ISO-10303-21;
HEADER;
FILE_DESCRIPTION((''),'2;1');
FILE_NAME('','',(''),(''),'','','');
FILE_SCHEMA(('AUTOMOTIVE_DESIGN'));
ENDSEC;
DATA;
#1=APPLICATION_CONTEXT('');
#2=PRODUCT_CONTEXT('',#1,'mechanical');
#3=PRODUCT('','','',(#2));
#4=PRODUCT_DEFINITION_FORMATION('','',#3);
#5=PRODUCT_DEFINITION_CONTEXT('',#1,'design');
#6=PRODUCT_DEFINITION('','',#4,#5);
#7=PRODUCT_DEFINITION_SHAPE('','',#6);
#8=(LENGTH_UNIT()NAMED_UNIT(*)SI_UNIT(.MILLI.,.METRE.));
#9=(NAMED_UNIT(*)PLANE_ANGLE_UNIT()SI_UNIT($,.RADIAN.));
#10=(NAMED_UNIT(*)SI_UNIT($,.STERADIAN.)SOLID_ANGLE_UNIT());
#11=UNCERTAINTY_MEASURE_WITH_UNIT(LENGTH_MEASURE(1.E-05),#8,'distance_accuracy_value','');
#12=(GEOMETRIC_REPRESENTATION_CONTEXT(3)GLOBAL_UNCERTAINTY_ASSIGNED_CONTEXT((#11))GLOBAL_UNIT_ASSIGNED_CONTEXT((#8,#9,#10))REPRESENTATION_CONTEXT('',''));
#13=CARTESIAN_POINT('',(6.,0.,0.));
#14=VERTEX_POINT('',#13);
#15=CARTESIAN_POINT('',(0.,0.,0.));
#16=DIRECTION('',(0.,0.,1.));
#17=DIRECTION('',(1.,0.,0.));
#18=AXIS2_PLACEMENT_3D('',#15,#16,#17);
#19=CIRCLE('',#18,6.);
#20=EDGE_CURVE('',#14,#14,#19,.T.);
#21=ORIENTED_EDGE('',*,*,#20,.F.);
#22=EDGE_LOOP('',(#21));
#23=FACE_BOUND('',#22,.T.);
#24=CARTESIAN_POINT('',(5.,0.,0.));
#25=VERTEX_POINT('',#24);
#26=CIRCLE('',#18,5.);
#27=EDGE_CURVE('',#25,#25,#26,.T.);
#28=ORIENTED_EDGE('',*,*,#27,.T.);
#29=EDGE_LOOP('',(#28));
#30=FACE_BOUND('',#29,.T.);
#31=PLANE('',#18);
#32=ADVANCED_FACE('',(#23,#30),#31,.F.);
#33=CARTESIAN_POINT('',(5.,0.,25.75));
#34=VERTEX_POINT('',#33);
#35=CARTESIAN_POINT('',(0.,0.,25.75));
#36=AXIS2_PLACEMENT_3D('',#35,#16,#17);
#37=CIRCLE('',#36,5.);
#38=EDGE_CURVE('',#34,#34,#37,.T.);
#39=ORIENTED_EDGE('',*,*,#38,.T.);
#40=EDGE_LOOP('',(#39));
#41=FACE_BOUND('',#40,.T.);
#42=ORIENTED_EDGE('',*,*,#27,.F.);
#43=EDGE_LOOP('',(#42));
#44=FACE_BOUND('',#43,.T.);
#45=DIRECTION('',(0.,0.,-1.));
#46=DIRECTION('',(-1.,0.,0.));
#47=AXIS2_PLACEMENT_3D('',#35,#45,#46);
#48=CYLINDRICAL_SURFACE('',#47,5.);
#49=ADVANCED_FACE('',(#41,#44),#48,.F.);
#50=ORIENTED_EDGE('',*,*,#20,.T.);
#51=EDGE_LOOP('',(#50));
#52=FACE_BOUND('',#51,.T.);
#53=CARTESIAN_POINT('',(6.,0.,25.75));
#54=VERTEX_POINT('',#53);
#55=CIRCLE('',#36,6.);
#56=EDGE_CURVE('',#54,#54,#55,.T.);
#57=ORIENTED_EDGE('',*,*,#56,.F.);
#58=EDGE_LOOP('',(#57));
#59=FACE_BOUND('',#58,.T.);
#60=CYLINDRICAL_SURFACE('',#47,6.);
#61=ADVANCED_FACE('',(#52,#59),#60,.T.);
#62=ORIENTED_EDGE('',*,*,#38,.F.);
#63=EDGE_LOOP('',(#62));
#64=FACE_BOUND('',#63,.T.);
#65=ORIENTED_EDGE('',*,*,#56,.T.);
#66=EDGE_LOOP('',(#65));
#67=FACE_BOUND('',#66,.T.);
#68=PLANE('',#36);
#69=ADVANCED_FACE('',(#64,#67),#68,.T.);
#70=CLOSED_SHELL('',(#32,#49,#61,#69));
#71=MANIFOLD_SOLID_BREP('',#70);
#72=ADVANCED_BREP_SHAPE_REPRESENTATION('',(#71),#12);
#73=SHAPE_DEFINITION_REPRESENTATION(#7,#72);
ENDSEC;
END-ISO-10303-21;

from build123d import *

# Parameters (mm, degrees)
SKETCH_1_R      = 6
SKETCH_1_R_2    = 5
EXTRUDE_1_DEPTH = 25.75


with BuildPart() as part:
    # 草图1 → 凸台-拉伸1 (new body)
    with BuildSketch(Plane.XY):
        Circle(SKETCH_1_R)
        Circle(SKETCH_1_R_2, mode=Mode.SUBTRACT)
    extrude(amount=EXTRUDE_1_DEPTH)


solid = part.part
